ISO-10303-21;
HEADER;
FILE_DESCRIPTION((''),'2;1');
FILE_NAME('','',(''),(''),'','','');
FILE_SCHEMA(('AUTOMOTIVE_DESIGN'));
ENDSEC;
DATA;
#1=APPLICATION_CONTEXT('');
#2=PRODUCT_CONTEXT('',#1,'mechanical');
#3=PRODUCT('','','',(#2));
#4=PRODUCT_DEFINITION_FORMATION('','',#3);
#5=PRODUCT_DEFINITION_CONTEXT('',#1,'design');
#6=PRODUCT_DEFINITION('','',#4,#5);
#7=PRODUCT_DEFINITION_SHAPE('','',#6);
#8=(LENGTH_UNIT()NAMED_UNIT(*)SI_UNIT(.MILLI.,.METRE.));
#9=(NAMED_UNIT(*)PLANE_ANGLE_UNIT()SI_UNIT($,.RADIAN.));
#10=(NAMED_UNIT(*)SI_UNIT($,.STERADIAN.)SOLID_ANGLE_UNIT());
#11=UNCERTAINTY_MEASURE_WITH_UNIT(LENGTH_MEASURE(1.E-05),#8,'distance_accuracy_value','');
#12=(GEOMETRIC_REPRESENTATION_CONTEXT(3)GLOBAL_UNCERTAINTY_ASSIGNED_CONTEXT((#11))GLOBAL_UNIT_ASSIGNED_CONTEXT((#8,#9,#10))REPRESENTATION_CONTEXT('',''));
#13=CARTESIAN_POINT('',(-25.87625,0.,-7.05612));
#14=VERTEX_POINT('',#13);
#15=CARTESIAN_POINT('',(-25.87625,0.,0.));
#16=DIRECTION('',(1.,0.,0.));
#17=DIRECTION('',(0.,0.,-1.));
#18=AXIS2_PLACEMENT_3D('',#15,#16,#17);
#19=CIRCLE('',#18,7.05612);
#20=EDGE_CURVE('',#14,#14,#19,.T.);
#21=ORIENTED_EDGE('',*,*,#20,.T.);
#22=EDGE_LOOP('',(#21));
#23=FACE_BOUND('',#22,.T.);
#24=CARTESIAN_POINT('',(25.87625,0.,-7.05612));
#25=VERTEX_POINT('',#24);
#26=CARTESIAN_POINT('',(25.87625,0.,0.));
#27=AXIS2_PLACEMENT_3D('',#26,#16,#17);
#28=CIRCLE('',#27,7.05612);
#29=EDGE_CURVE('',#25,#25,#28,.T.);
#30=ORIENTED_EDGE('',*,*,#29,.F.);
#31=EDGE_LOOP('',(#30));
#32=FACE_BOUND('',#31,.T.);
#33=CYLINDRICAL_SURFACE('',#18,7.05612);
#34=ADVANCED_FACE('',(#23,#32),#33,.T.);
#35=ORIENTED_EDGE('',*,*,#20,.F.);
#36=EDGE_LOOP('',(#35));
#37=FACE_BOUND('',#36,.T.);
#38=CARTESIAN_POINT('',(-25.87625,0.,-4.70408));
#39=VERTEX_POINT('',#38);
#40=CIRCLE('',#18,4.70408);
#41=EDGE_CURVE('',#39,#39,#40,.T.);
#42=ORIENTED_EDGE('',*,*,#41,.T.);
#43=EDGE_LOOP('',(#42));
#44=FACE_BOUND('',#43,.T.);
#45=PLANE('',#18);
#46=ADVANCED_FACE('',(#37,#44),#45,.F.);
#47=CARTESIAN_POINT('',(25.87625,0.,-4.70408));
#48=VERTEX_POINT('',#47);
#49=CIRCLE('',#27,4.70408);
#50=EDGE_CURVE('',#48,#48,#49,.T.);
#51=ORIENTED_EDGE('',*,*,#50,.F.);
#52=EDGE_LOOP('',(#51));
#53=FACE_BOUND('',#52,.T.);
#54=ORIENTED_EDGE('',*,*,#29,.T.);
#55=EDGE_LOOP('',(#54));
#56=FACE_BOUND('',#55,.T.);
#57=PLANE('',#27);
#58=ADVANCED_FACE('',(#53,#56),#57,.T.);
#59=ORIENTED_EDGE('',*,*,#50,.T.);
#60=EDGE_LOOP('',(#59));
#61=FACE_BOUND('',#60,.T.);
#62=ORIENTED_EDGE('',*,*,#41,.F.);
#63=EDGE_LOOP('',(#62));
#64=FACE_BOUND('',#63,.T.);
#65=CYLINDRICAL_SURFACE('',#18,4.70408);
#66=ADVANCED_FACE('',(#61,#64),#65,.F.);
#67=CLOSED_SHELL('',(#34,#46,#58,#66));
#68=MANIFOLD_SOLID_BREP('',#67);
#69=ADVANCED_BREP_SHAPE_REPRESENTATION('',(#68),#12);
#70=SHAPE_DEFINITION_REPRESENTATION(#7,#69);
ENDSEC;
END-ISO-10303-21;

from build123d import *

# Parameters (mm, degrees)
BOSS_EXTRUDE1_DEPTH      = 25.87625
BOSS_EXTRUDE1_DEPTH_BACK = 25.87625
SKETCH1_R                = 7.05612
SKETCH1_R_2              = 4.70408


with BuildPart() as part:
    # Sketch1 → Boss-Extrude1 (new, two sides: drawn at the far end of the back side and taken through both)
    with BuildSketch(Plane(origin=(0, 0, 0), x_dir=(0, 0, -1), z_dir=(1, 0, 0)).offset(-BOSS_EXTRUDE1_DEPTH_BACK)):
        Circle(SKETCH1_R)
        Circle(SKETCH1_R_2, mode=Mode.SUBTRACT)
    extrude(amount=BOSS_EXTRUDE1_DEPTH + BOSS_EXTRUDE1_DEPTH_BACK)


solid = part.part
